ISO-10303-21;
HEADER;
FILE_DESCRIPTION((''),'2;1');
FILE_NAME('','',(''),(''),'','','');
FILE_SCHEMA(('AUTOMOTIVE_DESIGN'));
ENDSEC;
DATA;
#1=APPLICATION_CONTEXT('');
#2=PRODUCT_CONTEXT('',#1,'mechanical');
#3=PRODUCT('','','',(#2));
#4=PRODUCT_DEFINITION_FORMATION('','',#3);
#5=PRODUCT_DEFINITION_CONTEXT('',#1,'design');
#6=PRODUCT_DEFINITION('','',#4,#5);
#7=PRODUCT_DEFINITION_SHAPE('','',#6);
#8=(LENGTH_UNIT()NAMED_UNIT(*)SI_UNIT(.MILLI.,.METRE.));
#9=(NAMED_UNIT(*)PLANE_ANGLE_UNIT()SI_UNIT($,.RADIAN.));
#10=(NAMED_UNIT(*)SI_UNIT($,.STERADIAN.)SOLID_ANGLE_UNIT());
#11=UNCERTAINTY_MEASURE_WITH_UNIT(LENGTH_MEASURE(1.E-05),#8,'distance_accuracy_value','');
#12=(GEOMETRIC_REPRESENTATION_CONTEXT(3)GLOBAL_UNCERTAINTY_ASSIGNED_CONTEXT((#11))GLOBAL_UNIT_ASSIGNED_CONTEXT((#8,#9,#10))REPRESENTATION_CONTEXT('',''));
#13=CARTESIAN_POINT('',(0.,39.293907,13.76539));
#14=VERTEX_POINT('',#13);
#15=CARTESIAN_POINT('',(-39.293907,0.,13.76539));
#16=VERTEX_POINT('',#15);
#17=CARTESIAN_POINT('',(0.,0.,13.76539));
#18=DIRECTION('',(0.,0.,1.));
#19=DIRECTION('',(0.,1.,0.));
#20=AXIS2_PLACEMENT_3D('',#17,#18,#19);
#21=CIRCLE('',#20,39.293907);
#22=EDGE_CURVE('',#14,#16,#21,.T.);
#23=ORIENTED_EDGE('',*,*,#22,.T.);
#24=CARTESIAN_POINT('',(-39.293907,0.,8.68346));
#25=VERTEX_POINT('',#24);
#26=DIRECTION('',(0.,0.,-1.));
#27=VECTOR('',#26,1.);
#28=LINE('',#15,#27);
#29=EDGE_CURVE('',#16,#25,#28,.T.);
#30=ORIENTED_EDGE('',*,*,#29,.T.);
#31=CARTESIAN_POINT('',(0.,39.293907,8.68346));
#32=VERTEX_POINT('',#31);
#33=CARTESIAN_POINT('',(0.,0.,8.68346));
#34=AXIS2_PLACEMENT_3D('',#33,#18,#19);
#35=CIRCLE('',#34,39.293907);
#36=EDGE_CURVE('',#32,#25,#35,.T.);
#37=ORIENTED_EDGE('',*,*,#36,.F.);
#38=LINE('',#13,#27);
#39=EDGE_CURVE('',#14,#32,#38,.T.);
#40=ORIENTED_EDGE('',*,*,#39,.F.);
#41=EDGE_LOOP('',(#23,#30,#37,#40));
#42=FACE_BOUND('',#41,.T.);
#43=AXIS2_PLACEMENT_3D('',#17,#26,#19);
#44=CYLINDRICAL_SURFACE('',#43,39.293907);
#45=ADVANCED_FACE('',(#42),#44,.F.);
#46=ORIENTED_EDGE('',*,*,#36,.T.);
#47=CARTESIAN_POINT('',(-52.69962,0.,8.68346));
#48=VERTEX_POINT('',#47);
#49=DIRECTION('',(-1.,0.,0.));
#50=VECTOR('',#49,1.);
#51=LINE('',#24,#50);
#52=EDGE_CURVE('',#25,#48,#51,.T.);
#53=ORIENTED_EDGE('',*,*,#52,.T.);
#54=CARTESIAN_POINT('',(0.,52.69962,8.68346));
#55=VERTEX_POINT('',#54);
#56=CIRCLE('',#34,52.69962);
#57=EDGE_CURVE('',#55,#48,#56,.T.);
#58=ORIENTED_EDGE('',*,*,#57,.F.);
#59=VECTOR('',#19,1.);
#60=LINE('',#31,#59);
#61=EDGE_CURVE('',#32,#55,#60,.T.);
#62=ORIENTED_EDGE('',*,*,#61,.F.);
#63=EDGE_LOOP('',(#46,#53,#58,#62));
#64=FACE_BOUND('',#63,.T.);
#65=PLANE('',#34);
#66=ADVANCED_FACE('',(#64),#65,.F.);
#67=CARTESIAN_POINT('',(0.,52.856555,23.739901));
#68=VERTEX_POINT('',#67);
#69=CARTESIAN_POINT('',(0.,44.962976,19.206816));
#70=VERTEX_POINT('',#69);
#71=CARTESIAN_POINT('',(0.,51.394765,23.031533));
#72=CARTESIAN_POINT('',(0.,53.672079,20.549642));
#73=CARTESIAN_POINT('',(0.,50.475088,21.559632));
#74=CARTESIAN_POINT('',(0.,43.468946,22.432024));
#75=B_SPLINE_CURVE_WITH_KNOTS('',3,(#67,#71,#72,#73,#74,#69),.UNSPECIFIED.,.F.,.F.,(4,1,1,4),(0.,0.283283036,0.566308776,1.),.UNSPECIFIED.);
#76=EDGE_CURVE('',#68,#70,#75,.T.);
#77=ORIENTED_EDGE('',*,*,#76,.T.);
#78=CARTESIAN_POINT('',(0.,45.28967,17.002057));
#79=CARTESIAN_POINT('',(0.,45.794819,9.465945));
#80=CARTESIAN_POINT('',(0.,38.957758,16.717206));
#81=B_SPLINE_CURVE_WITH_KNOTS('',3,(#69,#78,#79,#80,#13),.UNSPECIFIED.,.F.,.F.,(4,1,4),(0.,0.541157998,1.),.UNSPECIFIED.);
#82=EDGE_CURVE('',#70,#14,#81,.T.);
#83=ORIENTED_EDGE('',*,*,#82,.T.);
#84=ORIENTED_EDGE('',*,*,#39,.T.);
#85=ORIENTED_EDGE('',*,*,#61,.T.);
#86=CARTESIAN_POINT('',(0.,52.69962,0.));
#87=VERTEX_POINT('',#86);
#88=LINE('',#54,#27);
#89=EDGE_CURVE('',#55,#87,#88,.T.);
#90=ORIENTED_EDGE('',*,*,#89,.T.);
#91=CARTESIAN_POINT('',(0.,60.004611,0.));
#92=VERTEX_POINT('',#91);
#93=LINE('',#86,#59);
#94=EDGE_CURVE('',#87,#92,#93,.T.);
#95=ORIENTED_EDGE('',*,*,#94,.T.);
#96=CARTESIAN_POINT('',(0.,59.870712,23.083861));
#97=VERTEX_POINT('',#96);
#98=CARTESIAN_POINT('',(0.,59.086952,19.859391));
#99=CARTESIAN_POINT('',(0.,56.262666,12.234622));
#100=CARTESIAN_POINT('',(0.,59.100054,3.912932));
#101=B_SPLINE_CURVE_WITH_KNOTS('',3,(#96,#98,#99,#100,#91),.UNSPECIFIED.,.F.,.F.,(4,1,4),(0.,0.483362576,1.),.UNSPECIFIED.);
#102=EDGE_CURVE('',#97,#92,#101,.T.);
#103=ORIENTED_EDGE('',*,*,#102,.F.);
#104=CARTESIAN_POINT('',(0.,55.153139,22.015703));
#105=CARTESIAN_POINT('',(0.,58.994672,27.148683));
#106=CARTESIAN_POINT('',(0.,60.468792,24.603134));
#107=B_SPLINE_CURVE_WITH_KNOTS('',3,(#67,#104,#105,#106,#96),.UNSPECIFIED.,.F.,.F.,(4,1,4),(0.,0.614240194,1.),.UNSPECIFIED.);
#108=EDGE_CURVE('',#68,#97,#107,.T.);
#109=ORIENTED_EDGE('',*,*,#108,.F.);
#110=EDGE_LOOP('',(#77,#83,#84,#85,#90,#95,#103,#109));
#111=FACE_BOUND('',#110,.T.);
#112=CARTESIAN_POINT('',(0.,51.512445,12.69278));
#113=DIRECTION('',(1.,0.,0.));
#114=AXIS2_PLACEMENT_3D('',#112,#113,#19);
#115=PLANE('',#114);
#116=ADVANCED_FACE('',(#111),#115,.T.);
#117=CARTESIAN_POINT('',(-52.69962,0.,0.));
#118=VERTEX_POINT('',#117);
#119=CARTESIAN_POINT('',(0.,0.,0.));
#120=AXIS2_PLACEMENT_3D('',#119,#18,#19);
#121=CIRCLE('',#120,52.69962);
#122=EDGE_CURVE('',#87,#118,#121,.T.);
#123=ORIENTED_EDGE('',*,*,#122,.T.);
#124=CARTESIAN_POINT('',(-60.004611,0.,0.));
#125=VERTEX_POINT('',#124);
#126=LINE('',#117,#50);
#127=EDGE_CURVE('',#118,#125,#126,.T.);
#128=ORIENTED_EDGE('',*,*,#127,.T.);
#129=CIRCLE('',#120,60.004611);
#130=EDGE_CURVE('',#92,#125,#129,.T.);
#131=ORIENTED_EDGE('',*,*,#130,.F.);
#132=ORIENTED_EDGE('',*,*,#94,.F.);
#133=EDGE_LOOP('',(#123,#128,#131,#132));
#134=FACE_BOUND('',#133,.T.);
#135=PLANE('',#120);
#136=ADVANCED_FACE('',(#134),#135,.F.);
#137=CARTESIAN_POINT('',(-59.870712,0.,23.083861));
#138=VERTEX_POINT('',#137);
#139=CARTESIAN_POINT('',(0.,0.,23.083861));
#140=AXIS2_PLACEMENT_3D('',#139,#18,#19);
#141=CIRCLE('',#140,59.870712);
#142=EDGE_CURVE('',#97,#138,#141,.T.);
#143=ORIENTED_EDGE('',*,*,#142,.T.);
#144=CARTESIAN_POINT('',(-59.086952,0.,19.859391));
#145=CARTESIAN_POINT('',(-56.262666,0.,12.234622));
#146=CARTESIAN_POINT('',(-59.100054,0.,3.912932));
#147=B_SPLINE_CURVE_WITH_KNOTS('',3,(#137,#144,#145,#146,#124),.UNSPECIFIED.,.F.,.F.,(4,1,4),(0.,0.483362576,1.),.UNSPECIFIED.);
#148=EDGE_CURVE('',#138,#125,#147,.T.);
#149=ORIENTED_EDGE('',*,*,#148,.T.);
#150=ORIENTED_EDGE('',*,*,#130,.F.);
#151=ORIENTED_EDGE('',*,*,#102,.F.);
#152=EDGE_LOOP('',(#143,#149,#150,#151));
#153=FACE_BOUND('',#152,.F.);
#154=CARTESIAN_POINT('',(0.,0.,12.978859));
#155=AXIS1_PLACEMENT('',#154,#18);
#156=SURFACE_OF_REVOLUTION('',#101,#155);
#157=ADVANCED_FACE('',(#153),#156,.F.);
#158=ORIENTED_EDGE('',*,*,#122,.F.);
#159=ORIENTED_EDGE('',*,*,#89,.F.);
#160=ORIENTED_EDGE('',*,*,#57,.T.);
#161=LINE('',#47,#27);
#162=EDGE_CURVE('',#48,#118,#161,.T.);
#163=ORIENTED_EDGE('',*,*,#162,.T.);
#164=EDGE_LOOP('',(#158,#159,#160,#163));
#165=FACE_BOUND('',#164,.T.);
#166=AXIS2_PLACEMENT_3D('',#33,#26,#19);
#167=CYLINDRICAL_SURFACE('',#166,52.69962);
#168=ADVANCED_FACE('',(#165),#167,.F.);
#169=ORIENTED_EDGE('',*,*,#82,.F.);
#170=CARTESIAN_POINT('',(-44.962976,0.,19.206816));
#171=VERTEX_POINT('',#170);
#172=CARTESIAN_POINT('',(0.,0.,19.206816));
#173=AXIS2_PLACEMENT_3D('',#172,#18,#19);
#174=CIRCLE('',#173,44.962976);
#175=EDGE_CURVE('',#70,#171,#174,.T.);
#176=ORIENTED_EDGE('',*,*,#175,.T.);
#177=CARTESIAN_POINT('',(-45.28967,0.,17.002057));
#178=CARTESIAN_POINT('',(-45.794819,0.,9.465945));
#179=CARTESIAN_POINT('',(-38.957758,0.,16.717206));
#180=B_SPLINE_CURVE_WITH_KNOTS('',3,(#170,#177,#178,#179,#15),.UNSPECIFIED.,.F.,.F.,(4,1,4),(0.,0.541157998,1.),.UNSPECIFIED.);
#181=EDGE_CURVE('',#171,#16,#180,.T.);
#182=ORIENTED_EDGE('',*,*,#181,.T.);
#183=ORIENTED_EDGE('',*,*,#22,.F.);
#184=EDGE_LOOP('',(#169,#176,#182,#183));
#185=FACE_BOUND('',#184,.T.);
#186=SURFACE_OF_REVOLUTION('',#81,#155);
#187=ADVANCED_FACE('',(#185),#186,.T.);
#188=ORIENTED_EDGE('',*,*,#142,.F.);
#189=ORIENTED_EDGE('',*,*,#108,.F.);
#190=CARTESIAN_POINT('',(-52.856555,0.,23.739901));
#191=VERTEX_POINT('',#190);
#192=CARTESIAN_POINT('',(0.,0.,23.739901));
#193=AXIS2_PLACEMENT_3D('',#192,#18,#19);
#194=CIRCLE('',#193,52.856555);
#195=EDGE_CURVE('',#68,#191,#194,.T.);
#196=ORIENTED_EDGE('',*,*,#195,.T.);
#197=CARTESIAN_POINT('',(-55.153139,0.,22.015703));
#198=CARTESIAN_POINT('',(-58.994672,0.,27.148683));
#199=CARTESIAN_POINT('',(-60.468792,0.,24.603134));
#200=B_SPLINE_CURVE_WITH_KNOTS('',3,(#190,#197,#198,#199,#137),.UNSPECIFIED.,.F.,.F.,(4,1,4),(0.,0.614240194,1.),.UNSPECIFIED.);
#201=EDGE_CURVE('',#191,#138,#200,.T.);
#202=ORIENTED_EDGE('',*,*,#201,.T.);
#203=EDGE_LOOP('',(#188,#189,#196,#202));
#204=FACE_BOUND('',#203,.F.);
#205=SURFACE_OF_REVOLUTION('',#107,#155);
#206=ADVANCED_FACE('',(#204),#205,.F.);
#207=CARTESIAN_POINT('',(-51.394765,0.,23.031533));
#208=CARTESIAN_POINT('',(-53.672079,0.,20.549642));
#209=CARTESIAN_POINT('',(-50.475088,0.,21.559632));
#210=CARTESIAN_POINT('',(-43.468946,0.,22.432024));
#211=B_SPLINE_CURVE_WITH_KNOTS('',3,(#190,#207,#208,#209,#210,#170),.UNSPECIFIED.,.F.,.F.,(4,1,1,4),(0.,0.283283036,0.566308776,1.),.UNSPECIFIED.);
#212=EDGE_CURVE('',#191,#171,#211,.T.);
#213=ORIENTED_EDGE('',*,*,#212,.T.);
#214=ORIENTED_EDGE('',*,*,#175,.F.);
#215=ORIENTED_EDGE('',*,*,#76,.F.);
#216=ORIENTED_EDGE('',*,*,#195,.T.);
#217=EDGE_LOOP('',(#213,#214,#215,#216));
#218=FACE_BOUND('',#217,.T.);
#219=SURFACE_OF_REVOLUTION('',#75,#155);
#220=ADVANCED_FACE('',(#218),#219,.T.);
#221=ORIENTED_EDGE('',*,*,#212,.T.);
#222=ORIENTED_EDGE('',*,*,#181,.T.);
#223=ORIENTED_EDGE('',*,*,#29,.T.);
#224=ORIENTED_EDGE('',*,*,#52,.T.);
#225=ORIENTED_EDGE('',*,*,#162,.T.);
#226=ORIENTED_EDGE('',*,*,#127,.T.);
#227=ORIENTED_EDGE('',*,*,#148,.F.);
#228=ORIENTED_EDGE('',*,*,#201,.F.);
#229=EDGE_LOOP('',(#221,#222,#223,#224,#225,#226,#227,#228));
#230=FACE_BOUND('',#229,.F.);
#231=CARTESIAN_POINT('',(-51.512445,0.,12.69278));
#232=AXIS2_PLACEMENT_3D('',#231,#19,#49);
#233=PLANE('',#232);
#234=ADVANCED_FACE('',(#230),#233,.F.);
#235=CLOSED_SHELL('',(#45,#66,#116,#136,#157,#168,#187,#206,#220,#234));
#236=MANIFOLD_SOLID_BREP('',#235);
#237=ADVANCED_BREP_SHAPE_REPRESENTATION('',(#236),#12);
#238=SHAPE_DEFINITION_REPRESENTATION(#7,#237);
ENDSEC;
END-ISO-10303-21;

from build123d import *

# Parameters (mm, degrees)
F1_ANGLE = 90


with BuildPart() as f1:
    # F0 (on Right) → F1 (revolve)
    with BuildSketch(Plane.YZ):
        with BuildLine():
            add(Edge.make_bspline(
                [(44.9629759644, 19.2068159449), (45.2896700158, 17.0020565719), (45.7948185242, 9.4659448261), (38.9577579083, 16.7172058677), (39.2939069786, 13.7653901408)],
                knots=[0, 0, 0, 0, 0.5411579982, 1, 1, 1, 1], degree=3))
            Line((39.2939069786, 13.7653901408), (39.2939069786, 8.6834598333))
            Line((39.2939069786, 8.6834598333), (52.6996197323, 8.6834598333))
            Line((52.6996197323, 8.6834598333), (52.6996197323, 0))
            Line((52.6996197323, 0), (60.0046112817, 0))
            add(Edge.make_bspline(
                [(59.8707117079, 23.0838607896), (59.0869516101, 19.8593905219), (56.262665709, 12.2346217846), (59.1000537225, 3.9129321986), (60.0046112817, 0)],
                knots=[0, 0, 0, 0, 0.4833625756, 1, 1, 1, 1], degree=3))
            add(Edge.make_bspline(
                [(52.8565548371, 23.7399012216), (55.153139349, 22.015702981), (58.9946715942, 27.1486834207), (60.4687916311, 24.6031336533), (59.8707117079, 23.0838607896)],
                knots=[0, 0, 0, 0, 0.6142401939, 1, 1, 1, 1], degree=3))
            add(Edge.make_bspline(
                [(52.8565548371, 23.7399012216), (51.3947651084, 23.0315331196), (53.6720793982, 20.5496420255), (50.4750880047, 21.5596321234), (43.4689456239, 22.432024056), (44.9629759644, 19.2068159449)],
                knots=[0, 0, 0, 0, 0.2832830359, 0.5663087761, 1, 1, 1, 1], degree=3))
        make_face()
    revolve(axis=Axis((0, 0, 12.9788592458), (0, 0, 1)), revolution_arc=F1_ANGLE)


solid = f1.part
